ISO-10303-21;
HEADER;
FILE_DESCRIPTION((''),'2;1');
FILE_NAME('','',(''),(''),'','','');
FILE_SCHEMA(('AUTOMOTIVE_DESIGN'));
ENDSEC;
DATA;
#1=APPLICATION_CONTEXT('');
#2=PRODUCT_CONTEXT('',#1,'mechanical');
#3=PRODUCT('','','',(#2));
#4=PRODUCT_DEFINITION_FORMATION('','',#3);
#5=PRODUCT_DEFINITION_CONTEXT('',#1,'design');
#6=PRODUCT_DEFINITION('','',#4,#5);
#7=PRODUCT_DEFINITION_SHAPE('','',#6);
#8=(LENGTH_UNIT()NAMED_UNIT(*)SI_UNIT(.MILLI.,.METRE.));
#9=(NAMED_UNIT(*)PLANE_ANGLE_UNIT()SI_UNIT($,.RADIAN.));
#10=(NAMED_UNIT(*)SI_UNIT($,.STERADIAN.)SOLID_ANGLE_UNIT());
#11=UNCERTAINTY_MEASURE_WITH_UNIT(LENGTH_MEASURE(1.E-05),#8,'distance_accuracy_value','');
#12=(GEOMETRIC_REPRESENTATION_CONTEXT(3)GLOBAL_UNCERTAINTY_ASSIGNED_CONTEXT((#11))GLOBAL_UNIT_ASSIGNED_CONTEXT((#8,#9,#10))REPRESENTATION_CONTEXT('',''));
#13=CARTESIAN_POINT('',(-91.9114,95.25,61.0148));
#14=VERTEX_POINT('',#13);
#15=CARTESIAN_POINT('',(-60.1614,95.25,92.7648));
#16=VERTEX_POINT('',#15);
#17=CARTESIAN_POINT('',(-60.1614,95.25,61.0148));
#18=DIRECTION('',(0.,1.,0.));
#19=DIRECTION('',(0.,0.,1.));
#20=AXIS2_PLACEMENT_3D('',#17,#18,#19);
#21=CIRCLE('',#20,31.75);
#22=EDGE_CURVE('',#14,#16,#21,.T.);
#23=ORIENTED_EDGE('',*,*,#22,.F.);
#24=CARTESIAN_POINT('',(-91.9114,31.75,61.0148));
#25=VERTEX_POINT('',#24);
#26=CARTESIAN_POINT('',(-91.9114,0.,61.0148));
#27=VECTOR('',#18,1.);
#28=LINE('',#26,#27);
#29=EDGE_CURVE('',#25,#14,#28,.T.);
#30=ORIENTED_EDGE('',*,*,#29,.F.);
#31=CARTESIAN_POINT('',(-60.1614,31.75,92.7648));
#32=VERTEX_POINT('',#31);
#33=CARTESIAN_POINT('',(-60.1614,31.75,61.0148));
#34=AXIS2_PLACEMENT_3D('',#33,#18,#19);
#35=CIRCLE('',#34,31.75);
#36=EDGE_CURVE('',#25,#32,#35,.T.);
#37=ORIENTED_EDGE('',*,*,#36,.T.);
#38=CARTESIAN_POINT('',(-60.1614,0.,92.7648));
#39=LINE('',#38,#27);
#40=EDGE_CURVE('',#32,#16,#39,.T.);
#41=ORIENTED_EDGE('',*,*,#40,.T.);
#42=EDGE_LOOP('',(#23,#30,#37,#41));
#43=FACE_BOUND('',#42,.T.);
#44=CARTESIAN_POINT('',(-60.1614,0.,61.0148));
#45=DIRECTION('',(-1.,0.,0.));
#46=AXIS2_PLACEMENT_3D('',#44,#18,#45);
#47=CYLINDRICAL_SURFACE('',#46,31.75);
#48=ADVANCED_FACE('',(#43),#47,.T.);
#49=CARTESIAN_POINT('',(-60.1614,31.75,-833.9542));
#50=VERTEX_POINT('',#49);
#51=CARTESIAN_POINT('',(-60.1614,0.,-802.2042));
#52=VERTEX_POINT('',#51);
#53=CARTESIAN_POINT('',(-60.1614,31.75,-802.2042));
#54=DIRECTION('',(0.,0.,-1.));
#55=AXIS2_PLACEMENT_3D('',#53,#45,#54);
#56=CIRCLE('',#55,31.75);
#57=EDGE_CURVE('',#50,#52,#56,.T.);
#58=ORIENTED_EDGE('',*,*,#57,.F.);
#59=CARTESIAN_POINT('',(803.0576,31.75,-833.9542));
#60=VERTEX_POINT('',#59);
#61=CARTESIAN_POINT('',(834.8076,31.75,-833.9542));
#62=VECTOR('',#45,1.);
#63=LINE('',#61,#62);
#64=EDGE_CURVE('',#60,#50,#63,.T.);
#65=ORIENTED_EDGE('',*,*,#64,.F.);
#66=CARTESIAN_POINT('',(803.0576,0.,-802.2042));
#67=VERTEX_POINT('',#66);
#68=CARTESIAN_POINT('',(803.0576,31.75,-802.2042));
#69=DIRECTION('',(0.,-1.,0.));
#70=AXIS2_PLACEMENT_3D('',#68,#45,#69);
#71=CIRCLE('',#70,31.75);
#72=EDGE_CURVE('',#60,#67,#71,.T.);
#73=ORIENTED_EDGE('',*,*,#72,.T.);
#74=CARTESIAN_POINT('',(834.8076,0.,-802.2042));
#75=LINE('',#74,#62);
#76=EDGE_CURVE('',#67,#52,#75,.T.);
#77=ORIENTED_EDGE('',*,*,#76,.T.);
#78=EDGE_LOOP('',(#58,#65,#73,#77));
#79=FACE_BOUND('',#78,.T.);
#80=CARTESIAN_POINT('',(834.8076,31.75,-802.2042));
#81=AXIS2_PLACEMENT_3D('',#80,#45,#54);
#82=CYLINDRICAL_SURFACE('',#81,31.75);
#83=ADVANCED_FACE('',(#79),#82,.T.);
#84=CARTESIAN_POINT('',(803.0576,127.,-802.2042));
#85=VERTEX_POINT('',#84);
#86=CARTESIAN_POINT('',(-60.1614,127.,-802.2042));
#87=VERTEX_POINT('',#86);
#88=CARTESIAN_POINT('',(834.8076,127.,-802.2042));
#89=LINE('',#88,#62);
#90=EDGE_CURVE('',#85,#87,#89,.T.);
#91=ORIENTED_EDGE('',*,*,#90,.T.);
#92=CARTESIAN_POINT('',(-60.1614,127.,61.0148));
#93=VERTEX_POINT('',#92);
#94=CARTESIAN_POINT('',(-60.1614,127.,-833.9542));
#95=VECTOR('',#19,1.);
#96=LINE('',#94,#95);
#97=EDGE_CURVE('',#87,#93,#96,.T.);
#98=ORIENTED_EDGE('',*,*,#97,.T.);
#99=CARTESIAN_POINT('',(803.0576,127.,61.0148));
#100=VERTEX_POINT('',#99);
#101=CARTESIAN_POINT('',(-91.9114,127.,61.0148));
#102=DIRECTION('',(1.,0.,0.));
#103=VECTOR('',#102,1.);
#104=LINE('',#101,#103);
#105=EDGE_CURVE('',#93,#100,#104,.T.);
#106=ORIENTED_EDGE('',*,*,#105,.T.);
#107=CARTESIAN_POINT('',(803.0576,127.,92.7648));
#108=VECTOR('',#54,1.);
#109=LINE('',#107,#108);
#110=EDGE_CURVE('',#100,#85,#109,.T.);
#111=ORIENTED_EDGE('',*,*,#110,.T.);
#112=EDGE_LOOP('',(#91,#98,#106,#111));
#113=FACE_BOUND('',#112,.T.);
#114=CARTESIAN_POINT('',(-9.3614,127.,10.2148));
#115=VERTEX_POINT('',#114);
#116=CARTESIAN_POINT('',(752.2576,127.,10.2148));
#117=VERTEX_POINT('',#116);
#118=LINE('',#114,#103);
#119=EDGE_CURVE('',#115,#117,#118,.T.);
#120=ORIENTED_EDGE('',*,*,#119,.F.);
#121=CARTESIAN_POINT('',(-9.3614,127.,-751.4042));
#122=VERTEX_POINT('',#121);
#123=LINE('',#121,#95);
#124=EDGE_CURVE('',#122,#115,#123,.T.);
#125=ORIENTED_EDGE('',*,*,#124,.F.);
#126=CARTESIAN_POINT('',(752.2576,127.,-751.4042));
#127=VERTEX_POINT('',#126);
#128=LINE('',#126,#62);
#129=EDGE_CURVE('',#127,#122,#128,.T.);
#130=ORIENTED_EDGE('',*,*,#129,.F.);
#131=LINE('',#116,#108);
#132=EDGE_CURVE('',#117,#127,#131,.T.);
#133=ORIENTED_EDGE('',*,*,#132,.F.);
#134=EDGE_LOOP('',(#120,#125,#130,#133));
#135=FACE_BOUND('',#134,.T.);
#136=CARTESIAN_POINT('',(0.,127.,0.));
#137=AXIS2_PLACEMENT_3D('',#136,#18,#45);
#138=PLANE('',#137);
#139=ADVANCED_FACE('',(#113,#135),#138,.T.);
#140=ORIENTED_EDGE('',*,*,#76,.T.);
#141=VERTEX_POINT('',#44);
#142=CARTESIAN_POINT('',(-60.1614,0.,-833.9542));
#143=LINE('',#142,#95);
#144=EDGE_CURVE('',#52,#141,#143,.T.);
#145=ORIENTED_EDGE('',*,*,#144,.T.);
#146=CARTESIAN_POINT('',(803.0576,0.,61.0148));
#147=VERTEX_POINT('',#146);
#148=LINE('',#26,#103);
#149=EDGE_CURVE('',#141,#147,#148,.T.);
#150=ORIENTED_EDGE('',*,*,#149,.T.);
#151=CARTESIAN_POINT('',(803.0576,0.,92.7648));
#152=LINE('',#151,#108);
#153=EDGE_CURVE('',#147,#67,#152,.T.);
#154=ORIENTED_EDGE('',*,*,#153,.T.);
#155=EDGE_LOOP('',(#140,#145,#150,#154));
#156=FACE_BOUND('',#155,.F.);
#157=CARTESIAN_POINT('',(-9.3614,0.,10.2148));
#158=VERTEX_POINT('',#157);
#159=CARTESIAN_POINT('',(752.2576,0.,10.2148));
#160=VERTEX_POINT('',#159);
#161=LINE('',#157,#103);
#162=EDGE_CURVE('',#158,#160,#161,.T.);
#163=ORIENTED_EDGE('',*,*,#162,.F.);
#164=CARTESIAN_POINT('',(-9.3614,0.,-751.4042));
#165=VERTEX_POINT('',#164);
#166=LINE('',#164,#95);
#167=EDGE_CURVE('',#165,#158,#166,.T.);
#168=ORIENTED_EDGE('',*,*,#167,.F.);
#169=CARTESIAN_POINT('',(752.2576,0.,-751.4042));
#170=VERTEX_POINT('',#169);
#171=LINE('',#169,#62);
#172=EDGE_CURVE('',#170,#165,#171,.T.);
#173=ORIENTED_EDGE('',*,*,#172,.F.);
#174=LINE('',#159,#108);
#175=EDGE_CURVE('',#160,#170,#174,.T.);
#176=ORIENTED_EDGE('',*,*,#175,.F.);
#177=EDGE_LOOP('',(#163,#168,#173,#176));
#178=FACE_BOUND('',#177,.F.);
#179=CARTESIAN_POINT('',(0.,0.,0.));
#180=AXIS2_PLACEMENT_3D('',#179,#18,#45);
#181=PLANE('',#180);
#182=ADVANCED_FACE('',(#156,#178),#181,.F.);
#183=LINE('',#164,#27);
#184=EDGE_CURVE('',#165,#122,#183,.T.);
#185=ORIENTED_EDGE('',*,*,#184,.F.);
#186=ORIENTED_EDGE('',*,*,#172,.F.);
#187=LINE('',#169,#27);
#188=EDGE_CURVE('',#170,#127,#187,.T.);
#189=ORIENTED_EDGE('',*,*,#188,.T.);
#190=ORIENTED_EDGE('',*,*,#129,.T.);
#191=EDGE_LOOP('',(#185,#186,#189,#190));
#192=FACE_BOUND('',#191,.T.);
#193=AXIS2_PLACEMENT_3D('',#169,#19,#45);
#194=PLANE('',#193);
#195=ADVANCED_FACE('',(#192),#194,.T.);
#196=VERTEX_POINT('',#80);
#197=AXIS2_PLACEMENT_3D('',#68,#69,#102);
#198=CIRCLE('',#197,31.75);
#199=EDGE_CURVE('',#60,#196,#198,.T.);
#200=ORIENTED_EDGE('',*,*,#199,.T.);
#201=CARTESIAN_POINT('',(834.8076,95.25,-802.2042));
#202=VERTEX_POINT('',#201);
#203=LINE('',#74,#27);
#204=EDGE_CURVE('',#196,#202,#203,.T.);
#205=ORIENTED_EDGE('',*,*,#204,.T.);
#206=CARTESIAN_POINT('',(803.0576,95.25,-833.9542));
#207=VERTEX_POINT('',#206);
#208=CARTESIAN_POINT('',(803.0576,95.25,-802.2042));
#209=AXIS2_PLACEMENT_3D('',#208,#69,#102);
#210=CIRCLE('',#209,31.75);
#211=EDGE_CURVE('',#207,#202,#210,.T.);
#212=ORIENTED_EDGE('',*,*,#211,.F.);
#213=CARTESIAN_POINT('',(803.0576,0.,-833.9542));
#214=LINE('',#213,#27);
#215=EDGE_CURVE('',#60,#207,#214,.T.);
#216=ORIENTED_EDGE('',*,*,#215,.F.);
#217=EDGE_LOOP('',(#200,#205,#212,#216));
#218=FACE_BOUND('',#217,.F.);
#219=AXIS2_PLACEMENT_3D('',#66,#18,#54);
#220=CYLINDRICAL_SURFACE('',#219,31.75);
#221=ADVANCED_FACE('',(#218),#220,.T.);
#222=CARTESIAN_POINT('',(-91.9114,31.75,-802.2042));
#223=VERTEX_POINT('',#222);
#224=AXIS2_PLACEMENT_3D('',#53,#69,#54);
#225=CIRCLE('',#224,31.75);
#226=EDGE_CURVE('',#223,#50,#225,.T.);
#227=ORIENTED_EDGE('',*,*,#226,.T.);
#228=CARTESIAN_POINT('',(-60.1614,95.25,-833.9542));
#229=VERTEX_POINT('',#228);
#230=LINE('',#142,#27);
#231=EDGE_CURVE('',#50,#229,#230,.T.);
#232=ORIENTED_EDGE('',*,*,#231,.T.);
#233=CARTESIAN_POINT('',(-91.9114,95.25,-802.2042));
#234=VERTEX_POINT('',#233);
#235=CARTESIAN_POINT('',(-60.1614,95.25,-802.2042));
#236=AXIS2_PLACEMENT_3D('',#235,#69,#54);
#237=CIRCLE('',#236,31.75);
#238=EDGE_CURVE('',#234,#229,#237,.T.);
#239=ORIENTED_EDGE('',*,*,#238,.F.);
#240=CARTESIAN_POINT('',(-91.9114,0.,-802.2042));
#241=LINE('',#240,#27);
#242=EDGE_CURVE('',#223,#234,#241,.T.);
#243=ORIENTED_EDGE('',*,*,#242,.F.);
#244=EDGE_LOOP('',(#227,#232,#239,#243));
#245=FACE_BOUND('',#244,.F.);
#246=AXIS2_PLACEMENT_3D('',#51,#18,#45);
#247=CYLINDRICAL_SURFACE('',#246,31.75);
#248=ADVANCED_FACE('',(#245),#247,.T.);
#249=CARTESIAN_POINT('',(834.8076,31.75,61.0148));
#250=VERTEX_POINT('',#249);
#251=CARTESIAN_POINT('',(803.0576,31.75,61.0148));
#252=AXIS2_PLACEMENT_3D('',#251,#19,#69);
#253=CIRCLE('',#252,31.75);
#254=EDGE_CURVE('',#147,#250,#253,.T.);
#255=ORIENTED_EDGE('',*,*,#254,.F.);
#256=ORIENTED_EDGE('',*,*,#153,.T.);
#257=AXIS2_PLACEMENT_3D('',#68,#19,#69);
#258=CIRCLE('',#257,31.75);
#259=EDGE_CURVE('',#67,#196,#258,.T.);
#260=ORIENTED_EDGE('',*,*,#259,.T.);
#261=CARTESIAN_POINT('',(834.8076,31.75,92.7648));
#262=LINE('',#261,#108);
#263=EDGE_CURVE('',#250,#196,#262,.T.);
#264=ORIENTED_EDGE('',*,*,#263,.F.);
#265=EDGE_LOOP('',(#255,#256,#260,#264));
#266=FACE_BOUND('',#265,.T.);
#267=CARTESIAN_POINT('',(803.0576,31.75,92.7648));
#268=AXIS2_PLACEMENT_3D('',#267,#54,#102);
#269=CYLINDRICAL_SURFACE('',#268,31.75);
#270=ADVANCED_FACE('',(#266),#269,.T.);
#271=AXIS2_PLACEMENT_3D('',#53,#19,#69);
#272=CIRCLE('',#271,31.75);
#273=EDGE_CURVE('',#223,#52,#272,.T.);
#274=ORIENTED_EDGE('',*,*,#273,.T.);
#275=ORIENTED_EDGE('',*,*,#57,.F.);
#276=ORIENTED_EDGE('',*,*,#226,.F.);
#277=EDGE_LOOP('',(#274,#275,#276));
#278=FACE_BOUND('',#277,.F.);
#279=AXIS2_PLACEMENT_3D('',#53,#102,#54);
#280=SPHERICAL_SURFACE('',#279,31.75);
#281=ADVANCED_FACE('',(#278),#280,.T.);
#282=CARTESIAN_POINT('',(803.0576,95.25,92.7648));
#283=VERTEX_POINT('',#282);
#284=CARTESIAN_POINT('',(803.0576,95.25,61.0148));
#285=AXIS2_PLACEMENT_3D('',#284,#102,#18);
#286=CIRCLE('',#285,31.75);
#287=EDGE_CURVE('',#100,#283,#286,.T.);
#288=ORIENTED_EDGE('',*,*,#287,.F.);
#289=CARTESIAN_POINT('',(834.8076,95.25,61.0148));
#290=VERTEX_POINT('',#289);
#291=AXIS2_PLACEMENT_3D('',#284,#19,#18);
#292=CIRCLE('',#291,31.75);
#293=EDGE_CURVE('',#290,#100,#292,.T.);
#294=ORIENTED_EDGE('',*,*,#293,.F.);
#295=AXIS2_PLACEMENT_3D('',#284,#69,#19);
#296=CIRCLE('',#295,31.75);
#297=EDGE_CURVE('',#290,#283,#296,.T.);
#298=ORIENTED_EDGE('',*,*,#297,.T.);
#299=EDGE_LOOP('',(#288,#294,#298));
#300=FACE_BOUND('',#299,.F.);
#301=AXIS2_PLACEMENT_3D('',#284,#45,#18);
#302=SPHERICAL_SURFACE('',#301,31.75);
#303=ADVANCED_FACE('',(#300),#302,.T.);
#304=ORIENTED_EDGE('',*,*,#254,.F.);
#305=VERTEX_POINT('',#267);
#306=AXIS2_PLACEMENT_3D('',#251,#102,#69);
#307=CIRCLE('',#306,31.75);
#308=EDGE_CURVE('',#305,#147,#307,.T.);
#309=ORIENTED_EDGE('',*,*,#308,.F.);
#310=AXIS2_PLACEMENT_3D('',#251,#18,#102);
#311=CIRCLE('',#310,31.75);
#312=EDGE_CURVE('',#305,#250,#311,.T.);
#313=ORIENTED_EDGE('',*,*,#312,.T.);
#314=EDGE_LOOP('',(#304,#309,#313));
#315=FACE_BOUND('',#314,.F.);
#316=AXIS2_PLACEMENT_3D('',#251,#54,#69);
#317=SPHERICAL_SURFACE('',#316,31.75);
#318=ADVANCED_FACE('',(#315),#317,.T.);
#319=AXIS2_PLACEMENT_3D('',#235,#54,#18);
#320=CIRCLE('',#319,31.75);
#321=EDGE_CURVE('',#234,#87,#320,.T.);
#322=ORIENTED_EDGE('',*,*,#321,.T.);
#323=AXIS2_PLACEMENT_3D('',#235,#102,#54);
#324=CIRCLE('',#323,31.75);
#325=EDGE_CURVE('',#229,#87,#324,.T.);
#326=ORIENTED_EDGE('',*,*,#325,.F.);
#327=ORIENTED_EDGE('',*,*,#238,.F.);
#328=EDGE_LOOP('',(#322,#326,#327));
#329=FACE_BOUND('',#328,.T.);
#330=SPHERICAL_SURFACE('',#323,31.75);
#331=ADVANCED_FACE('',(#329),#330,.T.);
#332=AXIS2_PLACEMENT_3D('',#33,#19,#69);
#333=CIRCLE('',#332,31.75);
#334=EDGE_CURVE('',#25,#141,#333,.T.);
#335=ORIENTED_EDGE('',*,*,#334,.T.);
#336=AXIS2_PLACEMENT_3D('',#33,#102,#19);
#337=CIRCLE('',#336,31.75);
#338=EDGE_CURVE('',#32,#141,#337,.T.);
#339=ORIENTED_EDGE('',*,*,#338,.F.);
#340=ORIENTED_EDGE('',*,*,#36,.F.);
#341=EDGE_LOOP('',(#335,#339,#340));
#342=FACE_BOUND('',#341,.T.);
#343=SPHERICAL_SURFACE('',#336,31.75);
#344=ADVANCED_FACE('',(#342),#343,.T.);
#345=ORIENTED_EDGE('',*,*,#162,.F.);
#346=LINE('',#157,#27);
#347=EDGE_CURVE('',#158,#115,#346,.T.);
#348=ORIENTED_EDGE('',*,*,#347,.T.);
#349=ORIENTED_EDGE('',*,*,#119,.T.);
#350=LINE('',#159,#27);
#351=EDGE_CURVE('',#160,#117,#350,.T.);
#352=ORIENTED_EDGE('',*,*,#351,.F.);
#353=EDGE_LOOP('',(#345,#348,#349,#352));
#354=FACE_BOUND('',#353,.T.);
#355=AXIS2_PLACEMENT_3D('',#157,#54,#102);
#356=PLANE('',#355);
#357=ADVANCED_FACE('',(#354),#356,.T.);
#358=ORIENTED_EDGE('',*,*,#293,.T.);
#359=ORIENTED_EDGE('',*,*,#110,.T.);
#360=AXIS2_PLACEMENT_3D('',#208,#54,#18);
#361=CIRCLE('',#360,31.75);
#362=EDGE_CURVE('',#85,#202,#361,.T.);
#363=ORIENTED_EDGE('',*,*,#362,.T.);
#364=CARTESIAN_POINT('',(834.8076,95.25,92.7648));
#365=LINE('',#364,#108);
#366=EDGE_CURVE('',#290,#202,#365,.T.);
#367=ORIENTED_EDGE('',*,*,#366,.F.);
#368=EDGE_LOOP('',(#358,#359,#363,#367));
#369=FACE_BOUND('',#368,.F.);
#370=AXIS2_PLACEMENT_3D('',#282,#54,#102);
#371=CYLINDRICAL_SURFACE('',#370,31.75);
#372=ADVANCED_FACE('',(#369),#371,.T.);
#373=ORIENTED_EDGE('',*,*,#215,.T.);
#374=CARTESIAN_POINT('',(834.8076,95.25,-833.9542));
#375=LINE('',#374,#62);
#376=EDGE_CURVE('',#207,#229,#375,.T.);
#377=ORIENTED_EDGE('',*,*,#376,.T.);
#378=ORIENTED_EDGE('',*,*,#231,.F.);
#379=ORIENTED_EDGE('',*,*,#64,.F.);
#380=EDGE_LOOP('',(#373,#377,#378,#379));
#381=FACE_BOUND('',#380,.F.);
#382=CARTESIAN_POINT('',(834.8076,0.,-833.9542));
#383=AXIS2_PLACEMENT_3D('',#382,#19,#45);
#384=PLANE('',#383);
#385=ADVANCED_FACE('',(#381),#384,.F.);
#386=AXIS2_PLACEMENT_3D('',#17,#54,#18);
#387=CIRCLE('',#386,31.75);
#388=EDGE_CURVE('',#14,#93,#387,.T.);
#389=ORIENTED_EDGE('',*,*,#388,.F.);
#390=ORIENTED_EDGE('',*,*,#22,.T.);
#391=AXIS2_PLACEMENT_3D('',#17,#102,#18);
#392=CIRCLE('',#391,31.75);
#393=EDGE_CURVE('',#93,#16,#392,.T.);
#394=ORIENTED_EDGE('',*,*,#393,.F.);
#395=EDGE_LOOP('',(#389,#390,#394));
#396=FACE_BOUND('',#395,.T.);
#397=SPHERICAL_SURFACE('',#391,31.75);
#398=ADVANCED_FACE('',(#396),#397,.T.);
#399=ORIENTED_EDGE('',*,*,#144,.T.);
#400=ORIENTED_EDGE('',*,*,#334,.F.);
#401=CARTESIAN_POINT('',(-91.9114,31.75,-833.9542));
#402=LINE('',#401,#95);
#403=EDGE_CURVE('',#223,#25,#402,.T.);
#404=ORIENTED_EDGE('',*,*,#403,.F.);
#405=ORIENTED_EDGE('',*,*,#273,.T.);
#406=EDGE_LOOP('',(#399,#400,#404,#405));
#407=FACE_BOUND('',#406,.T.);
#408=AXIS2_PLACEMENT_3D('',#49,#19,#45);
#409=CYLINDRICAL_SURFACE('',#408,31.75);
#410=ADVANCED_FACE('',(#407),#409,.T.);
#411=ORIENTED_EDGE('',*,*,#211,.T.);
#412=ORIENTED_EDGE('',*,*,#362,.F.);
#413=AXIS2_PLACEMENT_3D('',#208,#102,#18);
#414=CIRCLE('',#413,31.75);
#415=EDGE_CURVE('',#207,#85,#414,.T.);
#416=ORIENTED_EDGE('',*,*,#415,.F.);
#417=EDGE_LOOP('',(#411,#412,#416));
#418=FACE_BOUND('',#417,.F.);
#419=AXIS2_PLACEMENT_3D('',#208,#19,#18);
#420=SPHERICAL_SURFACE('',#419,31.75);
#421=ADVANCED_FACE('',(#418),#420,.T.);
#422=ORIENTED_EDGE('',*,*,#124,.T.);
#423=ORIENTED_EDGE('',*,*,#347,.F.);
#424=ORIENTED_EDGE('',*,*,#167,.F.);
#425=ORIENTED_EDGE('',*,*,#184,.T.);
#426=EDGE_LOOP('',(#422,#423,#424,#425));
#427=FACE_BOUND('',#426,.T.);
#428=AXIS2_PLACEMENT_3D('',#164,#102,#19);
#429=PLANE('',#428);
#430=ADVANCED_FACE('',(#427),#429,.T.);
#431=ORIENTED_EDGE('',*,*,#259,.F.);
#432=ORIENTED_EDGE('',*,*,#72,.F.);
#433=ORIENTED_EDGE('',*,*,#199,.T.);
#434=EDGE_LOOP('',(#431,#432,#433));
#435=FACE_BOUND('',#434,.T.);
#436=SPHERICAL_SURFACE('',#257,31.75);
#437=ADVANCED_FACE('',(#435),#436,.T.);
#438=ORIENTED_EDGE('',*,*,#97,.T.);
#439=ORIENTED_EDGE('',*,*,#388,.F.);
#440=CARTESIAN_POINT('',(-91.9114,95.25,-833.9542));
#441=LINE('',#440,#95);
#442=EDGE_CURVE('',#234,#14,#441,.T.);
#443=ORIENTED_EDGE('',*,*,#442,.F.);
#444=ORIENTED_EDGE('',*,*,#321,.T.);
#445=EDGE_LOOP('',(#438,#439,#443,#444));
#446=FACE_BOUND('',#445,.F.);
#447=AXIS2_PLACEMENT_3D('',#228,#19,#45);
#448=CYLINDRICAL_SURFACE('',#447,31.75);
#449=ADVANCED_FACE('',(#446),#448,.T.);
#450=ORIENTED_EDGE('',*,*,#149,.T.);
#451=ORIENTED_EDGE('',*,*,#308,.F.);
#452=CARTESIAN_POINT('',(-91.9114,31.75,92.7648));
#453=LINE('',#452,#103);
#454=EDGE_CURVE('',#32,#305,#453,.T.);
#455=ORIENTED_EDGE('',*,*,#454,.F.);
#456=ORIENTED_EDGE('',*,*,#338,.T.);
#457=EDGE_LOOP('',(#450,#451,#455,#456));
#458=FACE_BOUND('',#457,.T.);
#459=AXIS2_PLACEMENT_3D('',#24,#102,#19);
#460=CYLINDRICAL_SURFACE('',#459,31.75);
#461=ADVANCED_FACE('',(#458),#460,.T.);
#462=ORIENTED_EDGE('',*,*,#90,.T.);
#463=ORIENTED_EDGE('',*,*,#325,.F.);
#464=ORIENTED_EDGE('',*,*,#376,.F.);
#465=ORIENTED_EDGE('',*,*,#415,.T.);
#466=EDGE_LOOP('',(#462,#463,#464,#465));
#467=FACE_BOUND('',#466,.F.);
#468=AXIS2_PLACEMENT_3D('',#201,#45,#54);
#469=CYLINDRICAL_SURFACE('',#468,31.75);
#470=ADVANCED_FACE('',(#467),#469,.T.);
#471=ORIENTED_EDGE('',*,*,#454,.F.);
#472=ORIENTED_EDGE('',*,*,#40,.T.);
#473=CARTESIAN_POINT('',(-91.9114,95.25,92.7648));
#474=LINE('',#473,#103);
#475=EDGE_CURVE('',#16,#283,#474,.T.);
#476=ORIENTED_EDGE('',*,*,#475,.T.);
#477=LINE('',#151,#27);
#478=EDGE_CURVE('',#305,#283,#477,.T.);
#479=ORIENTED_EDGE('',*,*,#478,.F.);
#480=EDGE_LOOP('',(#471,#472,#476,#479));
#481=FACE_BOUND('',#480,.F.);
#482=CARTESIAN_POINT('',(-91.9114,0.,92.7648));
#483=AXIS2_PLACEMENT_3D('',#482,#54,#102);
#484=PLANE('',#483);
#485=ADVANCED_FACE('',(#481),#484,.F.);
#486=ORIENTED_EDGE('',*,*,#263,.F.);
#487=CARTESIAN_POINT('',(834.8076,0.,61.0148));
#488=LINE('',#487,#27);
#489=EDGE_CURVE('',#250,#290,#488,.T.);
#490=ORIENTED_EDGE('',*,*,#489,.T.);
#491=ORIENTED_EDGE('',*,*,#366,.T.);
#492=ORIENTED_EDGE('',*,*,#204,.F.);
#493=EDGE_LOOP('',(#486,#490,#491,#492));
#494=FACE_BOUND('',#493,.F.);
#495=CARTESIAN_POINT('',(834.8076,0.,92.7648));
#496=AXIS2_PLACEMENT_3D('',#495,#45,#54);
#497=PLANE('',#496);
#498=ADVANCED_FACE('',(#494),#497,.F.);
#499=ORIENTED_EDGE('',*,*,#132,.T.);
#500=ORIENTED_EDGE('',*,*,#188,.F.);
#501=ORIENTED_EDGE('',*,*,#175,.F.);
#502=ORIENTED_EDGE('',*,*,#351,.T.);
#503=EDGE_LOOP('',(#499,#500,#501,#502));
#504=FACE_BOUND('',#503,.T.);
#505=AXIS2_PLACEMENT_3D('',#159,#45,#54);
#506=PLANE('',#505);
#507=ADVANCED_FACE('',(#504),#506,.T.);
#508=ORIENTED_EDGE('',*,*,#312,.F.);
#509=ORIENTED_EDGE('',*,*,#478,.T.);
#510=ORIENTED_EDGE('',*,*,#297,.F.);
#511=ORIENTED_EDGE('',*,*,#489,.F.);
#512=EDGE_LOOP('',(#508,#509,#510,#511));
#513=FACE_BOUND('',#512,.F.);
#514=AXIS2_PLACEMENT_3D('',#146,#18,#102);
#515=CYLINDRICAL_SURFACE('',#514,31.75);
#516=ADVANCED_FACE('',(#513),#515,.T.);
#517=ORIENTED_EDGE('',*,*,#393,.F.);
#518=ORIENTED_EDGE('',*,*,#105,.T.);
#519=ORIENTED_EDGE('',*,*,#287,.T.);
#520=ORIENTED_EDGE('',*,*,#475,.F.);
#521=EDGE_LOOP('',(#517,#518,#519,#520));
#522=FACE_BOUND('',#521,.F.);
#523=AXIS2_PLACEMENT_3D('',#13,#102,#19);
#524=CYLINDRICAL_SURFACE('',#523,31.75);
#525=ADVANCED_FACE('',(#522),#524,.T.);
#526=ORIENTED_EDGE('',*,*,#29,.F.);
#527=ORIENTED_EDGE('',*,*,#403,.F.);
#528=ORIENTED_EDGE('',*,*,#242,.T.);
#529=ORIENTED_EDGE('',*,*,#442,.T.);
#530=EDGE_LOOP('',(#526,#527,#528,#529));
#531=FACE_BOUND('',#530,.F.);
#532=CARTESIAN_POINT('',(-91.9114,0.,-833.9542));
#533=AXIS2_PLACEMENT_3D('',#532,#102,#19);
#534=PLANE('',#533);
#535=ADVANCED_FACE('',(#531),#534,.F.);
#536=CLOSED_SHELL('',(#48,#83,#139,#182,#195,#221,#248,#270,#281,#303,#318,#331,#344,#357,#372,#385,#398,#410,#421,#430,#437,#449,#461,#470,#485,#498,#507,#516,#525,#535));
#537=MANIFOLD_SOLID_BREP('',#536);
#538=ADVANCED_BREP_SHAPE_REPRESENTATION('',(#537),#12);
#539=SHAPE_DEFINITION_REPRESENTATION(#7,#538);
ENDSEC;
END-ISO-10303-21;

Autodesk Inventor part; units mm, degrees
ref_plane "YZ Plane" through (0, 0, 0) normal (1, 0, 0) x (0, 1, 0)
ref_plane "XZ Plane" through (0, 0, 0) normal (0, 1, 0) x (-1, 0, 0)
ref_plane "XY Plane" through (0, 0, 0) normal (0, 0, 1) x (1, 0, 0)
sketch "Sketch1" plane through (0, 0, 0) normal (0, 1, 0) x (-1, 0, 0)
  line L0 (9.3614, 10.2148) -> (-752.2576, 10.2148)
  line L1 (-752.2576, 10.2148) -> (-752.2576, -751.4042)
  line L2 (-752.2576, -751.4042) -> (9.3614, -751.4042)
  line L3 (9.3614, -751.4042) -> (9.3614, 10.2148)
  line L4 (91.9114, 92.7648) -> (-834.8076, 92.7648)
  line L5 (-834.8076, 92.7648) -> (-834.8076, -833.9542)
  line L6 (-834.8076, -833.9542) -> (91.9114, -833.9542)
  line L7 (91.9114, -833.9542) -> (91.9114, 92.7648)
  point P0 (0, 0)
  dimension "d0" = 761.619
  dimension "d1" = 761.619
  dimension "d2" = 82.55
extrude "Extrusion1" add sketch "Sketch1" along normal blind 127
fillet "Fillet1" radius 31.75 12 edges at (371.4481, 127, 92.7648) (834.8076, 127, -370.5947) (834.8076, 0, -370.5947) (371.4481, 0, 92.7648) (834.8076, 63.5, 92.7648) (371.4481, 127, -833.9542) (371.4481, 0, -833.9542) (834.8076, 63.5, -833.9542) (-91.9114, 63.5, -833.9542) (-91.9114, 127, -370.5947) (-91.9114, 63.5, 92.7648) (-91.9114, 0, -370.5947)
properties part number "swerve red bumper"
